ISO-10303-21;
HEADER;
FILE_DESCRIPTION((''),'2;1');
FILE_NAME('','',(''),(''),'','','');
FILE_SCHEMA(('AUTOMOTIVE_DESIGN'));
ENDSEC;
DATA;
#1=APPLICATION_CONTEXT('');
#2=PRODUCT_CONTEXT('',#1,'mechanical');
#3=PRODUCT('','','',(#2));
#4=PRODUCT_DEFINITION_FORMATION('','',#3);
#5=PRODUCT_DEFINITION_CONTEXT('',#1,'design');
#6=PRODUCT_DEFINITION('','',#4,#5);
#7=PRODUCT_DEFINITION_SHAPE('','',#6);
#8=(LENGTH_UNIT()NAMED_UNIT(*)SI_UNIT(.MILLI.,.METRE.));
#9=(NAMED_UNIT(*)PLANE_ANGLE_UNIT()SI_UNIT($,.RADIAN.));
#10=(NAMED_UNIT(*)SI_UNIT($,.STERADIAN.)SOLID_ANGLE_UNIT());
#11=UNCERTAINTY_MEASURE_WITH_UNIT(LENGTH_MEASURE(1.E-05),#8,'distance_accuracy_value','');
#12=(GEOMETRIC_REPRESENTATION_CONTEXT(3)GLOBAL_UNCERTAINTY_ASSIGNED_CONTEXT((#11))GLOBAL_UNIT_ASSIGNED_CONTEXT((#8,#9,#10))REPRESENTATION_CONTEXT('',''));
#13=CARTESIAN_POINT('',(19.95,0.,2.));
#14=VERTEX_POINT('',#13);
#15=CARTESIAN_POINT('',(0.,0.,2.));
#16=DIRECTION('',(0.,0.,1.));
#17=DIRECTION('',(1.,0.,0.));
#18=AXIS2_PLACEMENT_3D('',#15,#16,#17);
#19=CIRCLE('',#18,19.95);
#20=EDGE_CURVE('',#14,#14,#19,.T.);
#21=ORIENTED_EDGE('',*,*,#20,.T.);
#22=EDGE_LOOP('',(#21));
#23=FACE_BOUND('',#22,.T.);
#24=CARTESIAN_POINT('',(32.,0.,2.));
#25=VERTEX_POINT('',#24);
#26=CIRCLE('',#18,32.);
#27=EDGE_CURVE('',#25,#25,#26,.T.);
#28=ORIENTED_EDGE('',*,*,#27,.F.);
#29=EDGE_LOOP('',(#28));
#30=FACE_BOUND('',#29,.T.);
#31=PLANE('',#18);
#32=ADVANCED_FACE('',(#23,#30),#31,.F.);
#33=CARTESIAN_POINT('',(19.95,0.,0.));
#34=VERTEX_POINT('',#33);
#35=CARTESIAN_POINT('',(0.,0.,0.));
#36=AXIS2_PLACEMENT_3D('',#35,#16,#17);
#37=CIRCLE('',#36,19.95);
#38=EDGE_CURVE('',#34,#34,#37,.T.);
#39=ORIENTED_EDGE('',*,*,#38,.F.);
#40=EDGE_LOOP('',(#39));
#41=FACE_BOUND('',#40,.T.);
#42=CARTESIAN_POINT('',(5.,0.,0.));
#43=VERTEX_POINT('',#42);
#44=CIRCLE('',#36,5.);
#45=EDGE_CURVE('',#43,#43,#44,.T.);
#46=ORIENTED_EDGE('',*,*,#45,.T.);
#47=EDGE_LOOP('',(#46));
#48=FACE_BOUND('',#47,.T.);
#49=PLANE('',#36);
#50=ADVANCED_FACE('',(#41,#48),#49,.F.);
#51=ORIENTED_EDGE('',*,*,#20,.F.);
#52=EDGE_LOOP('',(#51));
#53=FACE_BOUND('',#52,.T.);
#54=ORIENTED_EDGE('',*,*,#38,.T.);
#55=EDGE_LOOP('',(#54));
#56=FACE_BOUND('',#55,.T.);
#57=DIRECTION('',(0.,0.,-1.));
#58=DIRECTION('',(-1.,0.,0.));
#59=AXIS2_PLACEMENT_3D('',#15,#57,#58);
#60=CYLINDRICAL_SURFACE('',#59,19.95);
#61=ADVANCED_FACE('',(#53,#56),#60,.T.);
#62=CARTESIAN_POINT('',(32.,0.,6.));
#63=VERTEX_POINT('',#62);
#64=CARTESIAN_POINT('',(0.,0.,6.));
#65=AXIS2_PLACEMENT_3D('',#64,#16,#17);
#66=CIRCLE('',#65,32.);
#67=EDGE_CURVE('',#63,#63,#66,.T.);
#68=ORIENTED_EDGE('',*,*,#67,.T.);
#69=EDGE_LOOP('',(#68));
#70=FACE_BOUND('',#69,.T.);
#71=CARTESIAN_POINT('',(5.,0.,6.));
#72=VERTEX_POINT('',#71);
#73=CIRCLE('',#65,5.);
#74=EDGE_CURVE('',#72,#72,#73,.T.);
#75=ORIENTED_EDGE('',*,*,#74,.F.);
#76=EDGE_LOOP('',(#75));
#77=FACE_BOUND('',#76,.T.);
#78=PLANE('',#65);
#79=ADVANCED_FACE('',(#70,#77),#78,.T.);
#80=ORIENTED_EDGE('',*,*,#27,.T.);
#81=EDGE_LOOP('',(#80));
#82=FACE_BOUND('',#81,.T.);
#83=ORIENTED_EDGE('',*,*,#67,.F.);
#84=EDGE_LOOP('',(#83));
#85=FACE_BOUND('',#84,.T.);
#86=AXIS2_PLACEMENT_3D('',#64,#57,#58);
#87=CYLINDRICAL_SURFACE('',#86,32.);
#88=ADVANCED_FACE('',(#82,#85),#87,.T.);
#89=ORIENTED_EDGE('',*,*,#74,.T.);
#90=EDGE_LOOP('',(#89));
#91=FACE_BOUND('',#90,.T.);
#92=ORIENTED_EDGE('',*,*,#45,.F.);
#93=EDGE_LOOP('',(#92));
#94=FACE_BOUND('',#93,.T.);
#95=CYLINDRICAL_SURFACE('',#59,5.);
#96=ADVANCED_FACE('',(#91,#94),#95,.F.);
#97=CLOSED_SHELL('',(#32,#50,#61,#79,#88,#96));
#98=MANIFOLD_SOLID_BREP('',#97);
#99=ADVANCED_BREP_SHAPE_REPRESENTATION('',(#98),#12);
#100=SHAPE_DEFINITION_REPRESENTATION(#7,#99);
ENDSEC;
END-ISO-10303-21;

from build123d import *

# Parameters (mm, degrees)
SKETCH1_R    = 19.95
SKETCH1_R_2  = 5
SPIGOT_DEPTH = 2
SKETCH2_R    = 32
SKETCH2_R_2  = 5
PLATE_DEPTH  = 4


with BuildPart() as part:
    # Sketch1 → Spigot (new body)
    with BuildSketch(Plane.XY):
        Circle(SKETCH1_R)
        Circle(SKETCH1_R_2, mode=Mode.SUBTRACT)
    extrude(amount=SPIGOT_DEPTH)

    # Sketch2 → Plate (add)
    with BuildSketch(Plane.XY.offset(2)):
        Circle(SKETCH2_R)
        Circle(SKETCH2_R_2, mode=Mode.SUBTRACT)
    extrude(amount=PLATE_DEPTH)


solid = part.part
